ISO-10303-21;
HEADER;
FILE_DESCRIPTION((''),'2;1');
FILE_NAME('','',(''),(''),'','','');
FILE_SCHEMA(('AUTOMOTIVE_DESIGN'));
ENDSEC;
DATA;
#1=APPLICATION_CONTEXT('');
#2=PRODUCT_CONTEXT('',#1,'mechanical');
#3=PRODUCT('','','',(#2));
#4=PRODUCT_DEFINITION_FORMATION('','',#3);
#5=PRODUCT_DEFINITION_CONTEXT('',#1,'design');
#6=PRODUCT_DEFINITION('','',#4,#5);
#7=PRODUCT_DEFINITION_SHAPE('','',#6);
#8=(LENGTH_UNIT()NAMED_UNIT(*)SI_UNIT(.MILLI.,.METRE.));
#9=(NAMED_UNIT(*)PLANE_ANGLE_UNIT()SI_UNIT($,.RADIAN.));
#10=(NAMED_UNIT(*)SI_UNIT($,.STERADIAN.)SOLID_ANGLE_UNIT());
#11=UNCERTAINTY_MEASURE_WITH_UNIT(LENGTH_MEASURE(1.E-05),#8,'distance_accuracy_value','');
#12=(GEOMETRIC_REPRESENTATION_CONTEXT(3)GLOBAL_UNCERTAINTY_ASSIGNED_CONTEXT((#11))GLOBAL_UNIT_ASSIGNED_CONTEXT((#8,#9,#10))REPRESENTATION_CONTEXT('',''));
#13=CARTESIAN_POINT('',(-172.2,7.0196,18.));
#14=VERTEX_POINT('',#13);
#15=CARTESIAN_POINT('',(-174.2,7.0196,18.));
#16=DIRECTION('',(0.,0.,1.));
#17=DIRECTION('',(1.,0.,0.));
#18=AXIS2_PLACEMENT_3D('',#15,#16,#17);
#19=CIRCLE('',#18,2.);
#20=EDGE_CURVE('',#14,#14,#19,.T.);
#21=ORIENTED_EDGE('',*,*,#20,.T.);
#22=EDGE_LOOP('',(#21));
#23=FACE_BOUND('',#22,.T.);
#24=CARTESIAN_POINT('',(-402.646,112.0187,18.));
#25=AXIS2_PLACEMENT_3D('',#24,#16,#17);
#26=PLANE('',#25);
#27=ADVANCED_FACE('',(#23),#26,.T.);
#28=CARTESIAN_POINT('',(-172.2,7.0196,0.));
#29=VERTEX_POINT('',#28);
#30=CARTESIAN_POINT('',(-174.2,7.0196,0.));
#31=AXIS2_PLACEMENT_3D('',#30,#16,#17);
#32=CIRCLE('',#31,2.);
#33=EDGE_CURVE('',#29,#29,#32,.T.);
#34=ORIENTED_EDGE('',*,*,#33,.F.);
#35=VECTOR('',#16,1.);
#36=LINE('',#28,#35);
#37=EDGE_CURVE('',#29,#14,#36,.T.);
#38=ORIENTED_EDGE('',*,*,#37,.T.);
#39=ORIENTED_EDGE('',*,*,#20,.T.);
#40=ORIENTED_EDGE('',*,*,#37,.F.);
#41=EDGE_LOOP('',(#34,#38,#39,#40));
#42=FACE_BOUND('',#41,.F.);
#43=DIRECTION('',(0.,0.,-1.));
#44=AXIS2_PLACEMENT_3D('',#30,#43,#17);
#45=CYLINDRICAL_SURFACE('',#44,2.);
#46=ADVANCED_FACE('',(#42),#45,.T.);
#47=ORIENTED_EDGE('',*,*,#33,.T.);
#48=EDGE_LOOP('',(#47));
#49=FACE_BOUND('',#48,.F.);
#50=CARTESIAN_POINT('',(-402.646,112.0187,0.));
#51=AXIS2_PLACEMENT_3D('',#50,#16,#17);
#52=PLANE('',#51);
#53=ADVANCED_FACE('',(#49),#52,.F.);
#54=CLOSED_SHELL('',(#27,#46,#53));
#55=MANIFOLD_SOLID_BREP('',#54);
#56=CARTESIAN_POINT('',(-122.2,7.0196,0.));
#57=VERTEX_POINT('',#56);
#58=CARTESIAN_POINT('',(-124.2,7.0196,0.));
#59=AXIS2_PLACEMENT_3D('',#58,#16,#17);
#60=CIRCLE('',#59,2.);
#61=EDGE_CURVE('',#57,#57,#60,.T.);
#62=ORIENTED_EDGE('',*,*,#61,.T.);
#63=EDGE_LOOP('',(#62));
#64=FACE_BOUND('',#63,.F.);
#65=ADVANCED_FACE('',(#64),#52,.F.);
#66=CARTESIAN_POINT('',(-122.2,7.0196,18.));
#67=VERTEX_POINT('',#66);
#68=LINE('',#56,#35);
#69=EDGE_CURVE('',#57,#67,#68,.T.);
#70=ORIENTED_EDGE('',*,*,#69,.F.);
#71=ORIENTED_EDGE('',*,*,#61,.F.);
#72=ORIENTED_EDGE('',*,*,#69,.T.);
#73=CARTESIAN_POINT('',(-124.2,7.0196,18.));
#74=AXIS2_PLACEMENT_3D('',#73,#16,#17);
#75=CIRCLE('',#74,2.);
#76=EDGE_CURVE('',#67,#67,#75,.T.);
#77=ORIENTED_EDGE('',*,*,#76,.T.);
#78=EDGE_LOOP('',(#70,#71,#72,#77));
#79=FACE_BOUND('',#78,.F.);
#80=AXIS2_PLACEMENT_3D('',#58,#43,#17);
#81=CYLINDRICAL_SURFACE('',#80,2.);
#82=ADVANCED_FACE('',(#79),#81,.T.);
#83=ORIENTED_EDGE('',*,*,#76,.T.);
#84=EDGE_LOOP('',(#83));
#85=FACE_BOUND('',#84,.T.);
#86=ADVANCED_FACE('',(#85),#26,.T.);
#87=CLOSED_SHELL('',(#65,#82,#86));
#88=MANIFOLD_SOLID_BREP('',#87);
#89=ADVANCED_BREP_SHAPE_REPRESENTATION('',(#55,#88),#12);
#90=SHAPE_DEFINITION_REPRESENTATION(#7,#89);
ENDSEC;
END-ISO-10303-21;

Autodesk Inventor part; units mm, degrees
ref_plane "YZ Plane" through (0, 0, 0) normal (1, 0, 0) x (0, 1, 0)
ref_plane "XZ Plane" through (0, 0, 0) normal (0, 1, 0) x (-1, 0, 0)
ref_plane "Plano de trabajo1" through (-402.646, 112.0187, 0) normal (0, 0, 1) x (1, 0, 0)
sketch "Boceto1" plane through (-402.646, 112.0187, 0) normal (0, 0, 1) x (1, 0, 0)
  circle A0 centre (228.446, -104.9991) radius 2
  circle A1 centre (278.446, -104.9991) radius 2
  line L0 (-298.4, 16.0056) -> (-298.4, 11.0056)
  line L1 (0, 12.1063) -> (0, 7.1063)
  point P0 (402.646, -112.0187)
  dimension "d2" = 5
  dimension "d3" = 5
  dimension "d4" = 124.2
  dimension "d5" = 50
extrude "Extrusión1" add sketch "Boceto1" along normal blind 18
properties part number "Topes_apm_002-2"
